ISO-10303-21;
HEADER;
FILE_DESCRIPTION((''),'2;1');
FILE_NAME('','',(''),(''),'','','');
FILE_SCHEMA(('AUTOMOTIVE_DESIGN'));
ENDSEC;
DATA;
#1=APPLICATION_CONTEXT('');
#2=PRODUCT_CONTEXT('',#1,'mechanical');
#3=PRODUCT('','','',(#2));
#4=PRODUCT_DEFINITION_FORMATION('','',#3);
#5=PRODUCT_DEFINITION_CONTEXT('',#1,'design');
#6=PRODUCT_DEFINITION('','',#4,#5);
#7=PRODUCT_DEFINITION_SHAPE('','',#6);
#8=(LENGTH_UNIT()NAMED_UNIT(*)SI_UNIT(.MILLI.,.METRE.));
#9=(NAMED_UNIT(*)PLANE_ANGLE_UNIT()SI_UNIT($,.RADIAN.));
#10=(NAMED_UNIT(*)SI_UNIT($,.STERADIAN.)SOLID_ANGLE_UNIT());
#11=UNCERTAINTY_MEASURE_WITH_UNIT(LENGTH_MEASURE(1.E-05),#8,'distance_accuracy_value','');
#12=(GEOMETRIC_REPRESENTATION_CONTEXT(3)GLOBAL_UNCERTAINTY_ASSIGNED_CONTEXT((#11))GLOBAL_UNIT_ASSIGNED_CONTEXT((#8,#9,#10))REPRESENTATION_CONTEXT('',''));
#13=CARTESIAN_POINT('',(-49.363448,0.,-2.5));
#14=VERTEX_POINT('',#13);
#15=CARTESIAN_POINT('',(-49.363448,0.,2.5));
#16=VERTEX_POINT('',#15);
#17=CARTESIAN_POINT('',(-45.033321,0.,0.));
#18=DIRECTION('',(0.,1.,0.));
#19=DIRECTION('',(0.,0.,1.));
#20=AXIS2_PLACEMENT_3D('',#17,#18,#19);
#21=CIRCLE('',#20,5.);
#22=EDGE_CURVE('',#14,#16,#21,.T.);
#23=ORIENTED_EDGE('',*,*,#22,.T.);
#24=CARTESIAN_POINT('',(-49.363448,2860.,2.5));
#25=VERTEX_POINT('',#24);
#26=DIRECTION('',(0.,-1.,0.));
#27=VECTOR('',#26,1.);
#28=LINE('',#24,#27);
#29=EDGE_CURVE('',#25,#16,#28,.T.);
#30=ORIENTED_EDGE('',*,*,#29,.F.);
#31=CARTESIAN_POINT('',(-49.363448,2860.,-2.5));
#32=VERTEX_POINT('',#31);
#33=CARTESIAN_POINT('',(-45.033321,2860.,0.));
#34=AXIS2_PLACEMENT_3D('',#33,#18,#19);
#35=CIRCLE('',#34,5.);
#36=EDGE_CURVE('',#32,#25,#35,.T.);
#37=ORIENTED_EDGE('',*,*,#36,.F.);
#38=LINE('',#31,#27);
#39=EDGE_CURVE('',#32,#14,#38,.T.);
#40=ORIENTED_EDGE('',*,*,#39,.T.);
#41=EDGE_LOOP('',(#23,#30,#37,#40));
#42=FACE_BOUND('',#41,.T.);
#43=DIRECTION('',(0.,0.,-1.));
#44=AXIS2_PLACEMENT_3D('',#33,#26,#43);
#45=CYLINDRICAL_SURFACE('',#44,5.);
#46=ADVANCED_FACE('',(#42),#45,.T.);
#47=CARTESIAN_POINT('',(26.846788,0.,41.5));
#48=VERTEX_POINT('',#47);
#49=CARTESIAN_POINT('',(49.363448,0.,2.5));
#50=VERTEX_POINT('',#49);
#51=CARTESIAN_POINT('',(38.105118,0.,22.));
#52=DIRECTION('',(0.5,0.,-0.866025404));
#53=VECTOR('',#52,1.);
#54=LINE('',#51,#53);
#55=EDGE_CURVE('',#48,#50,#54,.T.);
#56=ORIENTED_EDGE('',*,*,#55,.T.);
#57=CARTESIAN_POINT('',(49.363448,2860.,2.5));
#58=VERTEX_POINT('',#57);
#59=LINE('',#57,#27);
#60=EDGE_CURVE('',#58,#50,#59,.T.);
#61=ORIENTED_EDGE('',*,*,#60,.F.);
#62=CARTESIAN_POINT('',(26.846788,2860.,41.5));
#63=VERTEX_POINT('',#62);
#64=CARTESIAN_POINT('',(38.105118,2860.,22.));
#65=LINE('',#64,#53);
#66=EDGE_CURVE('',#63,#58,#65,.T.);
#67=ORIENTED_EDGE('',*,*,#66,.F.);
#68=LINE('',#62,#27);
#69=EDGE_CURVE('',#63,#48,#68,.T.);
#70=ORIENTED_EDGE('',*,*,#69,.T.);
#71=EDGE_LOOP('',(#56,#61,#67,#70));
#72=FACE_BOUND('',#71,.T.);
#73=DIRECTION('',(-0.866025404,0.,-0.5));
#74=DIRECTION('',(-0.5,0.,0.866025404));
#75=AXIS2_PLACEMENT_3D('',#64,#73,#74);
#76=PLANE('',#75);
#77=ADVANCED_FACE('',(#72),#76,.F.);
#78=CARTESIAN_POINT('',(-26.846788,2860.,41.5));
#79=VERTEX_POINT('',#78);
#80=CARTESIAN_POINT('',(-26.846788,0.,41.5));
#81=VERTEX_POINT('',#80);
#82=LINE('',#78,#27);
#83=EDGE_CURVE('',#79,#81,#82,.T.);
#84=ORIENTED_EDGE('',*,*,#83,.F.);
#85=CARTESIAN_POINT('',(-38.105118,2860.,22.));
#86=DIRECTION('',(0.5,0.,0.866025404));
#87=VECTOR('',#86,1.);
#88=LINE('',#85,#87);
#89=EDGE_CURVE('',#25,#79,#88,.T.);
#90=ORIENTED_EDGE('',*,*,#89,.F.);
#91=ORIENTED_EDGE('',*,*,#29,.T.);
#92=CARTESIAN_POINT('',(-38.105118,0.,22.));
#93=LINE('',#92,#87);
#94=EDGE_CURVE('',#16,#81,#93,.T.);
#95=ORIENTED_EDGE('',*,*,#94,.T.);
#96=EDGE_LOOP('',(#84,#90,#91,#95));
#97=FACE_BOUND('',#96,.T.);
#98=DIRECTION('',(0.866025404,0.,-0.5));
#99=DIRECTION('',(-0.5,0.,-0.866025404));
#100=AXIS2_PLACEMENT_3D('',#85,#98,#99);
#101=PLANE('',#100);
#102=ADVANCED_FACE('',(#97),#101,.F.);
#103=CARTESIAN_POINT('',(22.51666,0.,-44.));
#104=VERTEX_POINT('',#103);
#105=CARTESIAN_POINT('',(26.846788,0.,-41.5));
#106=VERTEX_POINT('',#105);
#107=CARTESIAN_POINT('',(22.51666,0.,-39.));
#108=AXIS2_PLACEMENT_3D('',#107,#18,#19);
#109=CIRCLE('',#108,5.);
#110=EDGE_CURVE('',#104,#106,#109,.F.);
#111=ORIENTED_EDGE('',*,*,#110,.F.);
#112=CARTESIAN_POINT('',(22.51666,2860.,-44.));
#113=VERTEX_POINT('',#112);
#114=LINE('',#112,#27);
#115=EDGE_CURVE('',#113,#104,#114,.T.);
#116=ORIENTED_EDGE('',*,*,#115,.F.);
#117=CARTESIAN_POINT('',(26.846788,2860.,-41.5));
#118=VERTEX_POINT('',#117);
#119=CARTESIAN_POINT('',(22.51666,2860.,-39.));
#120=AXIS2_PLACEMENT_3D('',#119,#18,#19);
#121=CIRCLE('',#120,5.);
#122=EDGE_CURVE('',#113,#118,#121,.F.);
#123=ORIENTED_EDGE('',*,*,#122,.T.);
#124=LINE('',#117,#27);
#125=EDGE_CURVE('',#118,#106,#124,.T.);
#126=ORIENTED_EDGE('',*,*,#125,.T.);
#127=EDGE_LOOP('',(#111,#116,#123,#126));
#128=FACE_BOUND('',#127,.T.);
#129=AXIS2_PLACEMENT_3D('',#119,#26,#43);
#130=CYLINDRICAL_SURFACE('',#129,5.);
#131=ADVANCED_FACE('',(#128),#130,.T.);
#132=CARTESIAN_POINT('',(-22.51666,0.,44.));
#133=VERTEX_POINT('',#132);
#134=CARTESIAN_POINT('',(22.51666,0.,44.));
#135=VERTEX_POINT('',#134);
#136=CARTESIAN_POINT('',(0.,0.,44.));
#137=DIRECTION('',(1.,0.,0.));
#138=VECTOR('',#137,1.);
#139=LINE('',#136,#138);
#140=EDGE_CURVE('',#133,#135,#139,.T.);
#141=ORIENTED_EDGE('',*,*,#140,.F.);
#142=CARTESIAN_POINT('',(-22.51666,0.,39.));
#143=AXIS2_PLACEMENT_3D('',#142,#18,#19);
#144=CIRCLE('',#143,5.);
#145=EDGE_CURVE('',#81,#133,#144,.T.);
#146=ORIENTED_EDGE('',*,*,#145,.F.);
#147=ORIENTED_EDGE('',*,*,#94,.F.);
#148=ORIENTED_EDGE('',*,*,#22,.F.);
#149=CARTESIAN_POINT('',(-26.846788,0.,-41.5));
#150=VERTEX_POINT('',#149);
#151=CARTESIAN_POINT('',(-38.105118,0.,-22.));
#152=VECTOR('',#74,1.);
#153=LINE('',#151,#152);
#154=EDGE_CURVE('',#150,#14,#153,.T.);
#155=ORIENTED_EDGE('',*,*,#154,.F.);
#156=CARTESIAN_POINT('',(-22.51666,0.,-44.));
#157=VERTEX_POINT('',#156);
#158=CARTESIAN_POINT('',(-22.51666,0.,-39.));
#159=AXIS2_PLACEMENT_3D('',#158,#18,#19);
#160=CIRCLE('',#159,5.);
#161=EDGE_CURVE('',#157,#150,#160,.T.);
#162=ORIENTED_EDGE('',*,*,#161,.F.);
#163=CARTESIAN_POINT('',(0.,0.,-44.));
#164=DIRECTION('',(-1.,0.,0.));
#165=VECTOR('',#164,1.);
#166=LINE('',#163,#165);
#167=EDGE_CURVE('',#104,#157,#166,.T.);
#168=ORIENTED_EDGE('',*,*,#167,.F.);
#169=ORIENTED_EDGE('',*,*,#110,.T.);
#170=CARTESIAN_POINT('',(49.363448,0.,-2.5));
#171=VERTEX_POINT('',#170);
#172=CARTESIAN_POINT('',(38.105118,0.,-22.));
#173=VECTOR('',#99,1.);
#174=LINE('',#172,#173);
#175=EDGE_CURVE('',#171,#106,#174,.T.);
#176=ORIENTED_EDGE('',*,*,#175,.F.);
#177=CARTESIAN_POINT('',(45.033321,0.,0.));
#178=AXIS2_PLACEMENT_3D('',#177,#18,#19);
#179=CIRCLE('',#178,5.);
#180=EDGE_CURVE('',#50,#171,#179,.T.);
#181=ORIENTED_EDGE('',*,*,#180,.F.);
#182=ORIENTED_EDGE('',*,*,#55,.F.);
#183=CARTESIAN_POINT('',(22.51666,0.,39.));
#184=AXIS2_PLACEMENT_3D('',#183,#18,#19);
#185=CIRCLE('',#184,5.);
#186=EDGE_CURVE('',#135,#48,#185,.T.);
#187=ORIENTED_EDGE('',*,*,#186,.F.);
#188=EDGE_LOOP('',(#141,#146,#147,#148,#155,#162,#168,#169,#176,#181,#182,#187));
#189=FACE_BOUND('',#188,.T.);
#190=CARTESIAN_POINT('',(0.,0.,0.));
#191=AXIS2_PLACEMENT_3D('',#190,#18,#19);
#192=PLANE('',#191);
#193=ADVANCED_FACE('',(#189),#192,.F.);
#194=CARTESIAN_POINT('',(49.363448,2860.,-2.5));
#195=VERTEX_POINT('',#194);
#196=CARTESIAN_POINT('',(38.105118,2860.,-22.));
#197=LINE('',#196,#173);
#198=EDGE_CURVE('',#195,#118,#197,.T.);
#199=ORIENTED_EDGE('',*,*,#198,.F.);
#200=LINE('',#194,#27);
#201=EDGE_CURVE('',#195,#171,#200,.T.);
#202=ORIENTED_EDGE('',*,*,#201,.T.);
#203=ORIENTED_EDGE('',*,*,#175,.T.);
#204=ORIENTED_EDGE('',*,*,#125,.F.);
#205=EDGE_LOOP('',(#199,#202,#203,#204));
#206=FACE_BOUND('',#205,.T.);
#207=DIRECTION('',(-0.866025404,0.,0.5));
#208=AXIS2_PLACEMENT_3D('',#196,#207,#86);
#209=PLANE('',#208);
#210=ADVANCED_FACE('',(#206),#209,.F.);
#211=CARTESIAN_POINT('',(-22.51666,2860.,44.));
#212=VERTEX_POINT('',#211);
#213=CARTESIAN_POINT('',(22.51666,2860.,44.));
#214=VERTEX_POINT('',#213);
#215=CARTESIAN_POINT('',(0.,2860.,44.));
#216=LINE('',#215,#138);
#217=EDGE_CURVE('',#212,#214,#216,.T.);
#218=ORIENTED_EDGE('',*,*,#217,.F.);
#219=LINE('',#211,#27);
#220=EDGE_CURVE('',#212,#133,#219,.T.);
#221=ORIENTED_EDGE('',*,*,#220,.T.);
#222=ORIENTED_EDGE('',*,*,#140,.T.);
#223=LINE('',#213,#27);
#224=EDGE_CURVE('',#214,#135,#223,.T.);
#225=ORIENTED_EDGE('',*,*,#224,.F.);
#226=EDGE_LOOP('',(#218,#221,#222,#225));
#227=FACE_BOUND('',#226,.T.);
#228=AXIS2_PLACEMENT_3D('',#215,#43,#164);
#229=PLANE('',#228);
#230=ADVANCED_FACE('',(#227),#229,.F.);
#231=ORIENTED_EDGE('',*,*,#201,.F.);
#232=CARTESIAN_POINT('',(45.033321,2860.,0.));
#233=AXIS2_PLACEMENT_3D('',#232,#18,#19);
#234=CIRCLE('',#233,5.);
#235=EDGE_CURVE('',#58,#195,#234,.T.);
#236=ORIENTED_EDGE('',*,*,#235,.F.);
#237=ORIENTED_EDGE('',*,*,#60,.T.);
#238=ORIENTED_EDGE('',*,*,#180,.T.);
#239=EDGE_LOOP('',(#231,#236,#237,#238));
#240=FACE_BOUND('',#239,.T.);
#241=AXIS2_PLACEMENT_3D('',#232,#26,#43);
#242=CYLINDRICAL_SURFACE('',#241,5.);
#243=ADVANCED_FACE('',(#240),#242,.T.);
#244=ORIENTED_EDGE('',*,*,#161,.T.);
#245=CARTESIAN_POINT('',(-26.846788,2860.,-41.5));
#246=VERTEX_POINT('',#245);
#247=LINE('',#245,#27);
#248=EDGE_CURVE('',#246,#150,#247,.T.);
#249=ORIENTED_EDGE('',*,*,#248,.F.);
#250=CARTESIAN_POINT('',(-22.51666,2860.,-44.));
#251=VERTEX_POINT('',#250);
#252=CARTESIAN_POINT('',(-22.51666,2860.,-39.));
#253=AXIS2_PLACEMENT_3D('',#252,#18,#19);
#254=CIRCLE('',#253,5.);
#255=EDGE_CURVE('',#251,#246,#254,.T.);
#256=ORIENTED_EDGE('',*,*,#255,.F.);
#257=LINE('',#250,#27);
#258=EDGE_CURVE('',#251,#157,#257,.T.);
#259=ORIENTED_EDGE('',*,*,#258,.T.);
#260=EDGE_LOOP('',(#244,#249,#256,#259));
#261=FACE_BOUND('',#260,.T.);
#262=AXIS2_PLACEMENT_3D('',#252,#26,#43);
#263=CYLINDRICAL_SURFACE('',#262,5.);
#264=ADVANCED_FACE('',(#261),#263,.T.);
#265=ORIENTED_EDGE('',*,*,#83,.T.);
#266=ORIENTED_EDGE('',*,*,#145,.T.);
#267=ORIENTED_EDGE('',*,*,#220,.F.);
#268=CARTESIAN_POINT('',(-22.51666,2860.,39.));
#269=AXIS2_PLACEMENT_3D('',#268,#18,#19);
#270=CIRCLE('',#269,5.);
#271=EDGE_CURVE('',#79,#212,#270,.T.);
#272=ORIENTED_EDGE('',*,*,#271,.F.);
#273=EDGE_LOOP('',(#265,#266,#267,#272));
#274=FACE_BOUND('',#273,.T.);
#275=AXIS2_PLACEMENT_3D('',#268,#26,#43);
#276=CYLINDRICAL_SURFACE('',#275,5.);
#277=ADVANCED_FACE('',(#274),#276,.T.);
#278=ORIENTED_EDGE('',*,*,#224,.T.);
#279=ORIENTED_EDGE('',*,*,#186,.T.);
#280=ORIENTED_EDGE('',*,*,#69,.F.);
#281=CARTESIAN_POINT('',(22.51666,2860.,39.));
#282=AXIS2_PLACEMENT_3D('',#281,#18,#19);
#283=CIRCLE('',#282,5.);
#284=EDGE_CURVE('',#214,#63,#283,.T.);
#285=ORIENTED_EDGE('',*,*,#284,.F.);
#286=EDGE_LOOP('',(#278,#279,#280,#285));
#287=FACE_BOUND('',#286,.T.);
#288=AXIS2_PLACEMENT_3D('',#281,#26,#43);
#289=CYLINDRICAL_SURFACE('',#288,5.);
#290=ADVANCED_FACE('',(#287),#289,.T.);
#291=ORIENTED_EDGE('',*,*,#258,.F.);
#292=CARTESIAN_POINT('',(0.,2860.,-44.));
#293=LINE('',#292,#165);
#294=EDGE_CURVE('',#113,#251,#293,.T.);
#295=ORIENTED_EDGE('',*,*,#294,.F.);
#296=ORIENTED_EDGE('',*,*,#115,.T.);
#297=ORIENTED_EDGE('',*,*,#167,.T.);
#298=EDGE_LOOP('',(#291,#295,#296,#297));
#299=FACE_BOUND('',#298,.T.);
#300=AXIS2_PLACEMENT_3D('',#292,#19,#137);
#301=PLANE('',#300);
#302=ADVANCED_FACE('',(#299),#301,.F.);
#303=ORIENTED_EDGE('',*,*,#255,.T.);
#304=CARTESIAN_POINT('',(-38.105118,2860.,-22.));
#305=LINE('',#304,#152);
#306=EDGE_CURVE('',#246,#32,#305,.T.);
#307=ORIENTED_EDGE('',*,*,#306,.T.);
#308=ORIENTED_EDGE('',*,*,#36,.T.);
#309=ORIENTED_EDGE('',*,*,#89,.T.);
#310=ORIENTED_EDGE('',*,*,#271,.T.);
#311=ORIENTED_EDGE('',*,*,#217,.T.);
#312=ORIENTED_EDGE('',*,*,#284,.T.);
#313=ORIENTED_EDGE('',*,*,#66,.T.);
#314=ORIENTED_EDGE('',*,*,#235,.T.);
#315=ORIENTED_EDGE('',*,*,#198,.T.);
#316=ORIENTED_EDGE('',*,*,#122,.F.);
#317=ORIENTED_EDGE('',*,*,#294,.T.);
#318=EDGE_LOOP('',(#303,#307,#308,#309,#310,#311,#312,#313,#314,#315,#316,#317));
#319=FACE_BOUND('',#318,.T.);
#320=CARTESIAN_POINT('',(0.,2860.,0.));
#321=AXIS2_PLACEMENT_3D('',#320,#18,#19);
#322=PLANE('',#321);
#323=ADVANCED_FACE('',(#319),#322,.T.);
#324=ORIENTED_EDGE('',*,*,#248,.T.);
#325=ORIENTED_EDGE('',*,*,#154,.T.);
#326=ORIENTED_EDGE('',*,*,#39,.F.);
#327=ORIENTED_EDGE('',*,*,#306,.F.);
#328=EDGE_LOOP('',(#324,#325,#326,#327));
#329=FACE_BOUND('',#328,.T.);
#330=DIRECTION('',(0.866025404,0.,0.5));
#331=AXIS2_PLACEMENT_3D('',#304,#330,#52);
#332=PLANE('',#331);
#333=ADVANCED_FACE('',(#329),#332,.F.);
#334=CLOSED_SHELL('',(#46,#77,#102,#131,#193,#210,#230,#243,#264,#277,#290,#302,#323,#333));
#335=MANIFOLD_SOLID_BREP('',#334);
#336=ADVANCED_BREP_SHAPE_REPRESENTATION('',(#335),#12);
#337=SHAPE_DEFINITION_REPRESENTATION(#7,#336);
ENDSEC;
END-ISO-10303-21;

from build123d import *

# Parameters (mm, degrees)
EXTRUSION_DEPTH = 2860


with BuildPart() as part:
    # Esquisse2 → EXTRUSION (new body)
    with BuildSketch(Plane(origin=(0, 0, 0), x_dir=(1, 0, 0), z_dir=(0, 1, 0))):
        with BuildLine():
            Line((22.516660498, 44), (-22.516660498, 44))
            ThreePointArc((-22.516660498, 44), (-25.016660498, 43.330127019), (-26.846787517, 41.5))
            Line((-26.846787517, 41.5), (-49.363448016, 2.5))
            ThreePointArc((-49.363448016, 2.5), (-50.033320997, 0), (-49.363448016, -2.5))
            Line((-49.363448016, -2.5), (-26.846787517, -41.5))
            ThreePointArc((-26.846787517, -41.5), (-25.016660498, -43.330127019), (-22.516660498, -44))
            Line((-22.516660498, -44), (22.516660498, -44))
            ThreePointArc((22.516660498, -44), (25.016660498, -43.330127019), (26.846787517, -41.5))
            Line((26.846787517, -41.5), (49.363448016, -2.5))
            ThreePointArc((49.363448016, -2.5), (50.033320997, 0), (49.363448016, 2.5))
            Line((49.363448016, 2.5), (26.846787517, 41.5))
            ThreePointArc((26.846787517, 41.5), (25.016660498, 43.330127019), (22.516660498, 44))
        make_face()
    extrude(amount=EXTRUSION_DEPTH)


solid = part.part
